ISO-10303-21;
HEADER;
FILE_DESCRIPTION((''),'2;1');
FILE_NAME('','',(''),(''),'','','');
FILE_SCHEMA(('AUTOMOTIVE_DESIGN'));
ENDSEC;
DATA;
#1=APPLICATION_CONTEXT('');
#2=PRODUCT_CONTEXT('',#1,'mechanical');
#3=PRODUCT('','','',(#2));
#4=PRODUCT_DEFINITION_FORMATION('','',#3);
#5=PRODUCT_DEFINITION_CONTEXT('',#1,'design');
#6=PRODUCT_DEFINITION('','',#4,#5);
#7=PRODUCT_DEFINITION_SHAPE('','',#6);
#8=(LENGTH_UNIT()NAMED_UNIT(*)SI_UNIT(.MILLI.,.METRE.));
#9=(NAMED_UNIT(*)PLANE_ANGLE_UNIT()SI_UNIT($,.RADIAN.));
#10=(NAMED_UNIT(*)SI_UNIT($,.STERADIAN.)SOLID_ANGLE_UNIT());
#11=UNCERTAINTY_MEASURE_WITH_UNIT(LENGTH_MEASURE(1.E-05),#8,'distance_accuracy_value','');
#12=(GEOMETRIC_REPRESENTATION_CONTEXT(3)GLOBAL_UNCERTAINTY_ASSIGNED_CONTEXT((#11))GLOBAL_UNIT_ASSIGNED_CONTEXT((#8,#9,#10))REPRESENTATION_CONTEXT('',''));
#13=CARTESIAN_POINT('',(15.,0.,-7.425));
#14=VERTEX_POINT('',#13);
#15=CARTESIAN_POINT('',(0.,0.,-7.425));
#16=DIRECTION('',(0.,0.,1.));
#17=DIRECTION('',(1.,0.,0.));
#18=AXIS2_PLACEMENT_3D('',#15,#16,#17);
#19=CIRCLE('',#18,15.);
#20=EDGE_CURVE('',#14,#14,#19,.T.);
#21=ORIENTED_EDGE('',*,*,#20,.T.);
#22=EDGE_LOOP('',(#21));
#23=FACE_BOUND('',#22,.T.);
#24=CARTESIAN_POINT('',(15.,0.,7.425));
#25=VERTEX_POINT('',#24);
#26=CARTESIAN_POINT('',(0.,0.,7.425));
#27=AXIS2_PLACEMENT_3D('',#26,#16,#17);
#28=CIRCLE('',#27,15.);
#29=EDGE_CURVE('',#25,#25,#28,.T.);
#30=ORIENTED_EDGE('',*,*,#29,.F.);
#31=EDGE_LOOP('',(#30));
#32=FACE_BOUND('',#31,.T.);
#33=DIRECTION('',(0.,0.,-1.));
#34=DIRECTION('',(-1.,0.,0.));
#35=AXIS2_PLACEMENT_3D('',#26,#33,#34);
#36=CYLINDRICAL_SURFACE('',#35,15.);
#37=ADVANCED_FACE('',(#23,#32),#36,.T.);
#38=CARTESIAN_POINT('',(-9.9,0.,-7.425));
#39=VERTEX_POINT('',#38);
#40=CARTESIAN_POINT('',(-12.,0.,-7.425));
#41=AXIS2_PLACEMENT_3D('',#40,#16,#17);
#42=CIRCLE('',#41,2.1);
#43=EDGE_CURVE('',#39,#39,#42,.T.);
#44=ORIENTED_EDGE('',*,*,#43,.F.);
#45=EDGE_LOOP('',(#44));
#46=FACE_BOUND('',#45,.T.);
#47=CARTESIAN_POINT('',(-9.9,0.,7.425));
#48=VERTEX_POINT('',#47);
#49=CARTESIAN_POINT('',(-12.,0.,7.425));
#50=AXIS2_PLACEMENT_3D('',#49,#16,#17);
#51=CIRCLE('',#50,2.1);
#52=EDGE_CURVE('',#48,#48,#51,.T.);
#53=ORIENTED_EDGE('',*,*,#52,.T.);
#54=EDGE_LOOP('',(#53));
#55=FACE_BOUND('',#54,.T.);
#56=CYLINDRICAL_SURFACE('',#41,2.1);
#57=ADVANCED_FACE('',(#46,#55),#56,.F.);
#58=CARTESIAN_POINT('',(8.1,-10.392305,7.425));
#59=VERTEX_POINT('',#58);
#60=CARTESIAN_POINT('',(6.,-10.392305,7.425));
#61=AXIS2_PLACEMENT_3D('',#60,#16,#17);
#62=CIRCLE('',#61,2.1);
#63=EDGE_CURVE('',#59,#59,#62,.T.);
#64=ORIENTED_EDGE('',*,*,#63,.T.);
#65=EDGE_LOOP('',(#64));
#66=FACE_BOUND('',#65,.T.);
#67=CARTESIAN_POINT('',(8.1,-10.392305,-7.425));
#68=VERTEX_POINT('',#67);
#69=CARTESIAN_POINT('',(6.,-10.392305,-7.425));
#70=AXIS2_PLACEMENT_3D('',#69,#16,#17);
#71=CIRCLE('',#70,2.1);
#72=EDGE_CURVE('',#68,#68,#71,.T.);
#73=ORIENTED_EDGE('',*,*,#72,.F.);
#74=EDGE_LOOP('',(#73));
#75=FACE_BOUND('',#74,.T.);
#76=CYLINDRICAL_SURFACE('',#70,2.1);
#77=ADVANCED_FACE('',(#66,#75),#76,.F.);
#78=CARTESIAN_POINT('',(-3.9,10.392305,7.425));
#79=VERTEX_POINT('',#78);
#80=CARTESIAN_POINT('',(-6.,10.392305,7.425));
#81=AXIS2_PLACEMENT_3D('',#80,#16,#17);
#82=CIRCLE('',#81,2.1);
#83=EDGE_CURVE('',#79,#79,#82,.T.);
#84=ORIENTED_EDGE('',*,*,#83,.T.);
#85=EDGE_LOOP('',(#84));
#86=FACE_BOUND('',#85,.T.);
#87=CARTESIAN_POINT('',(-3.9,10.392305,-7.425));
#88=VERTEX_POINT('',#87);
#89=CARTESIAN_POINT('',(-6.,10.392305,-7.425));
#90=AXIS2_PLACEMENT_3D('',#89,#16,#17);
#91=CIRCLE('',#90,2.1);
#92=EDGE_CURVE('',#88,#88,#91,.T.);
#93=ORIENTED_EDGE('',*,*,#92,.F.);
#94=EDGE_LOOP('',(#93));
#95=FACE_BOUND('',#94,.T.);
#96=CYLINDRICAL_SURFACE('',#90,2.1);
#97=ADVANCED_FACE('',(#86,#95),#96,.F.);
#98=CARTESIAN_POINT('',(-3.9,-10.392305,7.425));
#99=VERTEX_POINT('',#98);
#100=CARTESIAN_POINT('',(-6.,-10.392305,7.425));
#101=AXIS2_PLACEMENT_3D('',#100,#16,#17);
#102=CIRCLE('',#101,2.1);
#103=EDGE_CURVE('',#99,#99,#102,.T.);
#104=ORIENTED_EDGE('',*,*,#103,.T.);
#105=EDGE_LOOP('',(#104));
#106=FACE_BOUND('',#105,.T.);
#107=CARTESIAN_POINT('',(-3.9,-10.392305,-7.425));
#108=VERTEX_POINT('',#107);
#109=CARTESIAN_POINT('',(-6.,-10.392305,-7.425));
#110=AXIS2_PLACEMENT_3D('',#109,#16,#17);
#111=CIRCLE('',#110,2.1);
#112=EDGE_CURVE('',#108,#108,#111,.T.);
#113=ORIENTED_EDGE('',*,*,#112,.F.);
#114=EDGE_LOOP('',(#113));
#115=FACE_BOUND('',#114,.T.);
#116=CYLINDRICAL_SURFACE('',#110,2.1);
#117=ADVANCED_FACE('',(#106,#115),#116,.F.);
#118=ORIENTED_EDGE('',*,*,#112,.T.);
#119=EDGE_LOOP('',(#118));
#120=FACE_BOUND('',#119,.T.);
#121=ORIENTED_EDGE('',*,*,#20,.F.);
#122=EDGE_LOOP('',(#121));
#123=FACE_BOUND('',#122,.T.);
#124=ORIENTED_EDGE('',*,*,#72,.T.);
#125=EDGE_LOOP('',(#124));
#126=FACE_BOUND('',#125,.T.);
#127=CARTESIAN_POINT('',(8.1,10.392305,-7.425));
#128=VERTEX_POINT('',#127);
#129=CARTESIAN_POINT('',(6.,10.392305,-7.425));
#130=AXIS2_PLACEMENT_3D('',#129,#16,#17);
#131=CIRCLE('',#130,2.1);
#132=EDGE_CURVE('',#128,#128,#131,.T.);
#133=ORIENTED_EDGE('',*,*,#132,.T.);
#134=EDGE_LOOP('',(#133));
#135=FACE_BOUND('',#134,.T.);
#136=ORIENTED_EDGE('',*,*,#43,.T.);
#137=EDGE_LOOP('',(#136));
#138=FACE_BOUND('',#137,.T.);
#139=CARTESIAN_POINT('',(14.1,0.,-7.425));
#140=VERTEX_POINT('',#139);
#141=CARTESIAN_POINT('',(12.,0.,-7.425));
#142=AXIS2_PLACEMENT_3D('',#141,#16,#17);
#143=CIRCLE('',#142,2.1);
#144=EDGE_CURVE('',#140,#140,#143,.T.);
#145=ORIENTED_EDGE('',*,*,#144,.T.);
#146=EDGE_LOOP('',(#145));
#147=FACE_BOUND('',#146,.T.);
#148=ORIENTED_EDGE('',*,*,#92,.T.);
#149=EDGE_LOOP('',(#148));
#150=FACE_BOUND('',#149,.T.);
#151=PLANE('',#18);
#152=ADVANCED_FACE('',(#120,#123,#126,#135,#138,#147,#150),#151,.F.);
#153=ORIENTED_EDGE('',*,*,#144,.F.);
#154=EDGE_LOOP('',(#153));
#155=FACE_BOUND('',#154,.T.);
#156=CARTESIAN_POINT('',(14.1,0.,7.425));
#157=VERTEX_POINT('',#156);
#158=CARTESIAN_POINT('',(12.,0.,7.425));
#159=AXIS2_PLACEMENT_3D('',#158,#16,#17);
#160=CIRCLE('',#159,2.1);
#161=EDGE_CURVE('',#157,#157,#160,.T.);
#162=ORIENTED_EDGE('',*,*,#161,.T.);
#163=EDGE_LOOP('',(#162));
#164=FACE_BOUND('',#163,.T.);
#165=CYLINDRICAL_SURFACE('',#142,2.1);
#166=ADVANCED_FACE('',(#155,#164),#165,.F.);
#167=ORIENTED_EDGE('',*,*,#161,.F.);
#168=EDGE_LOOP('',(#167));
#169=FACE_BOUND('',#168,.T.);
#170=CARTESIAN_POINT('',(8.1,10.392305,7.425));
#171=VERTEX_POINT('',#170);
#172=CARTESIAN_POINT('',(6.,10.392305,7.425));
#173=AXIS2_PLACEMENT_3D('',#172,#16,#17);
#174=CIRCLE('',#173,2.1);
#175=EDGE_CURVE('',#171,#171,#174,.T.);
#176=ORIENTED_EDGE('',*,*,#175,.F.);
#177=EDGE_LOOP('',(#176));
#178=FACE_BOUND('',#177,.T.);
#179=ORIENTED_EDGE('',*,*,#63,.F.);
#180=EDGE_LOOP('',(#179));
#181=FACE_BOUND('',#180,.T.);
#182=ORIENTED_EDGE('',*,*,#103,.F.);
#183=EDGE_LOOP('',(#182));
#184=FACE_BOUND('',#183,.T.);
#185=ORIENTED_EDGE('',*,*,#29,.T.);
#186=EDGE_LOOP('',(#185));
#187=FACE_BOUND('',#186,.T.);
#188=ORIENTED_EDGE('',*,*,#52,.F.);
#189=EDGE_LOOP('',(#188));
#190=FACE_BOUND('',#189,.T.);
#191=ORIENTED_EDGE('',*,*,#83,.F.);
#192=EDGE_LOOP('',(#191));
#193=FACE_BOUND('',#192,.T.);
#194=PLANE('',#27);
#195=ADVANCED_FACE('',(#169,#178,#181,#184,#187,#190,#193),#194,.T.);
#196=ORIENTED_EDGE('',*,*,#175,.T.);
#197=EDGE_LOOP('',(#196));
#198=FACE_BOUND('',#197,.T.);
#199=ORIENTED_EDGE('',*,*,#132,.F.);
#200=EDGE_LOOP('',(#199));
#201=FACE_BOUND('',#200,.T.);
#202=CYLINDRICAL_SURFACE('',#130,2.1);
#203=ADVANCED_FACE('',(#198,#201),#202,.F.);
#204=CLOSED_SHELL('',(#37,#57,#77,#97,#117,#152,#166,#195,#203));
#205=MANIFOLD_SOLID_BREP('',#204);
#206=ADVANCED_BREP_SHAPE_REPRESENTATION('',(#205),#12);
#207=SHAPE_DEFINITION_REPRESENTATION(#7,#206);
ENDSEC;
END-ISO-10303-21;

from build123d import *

# Parameters (mm, degrees)
SKETCH1_R           = 15
BOSS_EXTRUDE1_DEPTH = 7.425
SKETCH2_R           = 2.1
CUT_EXTRUDE1_DEPTH  = 26.894449212


with BuildPart() as part:
    # Sketch1 → Boss-Extrude1 (new, symmetric)
    with BuildSketch(Plane.XY):
        Circle(SKETCH1_R)
    extrude(amount=BOSS_EXTRUDE1_DEPTH, both=True)

    # Sketch2 → Cut-Extrude1 (cut, through all)
    with BuildSketch(Plane.XY.offset(7.425)):
        with Locations((-6, 10.392304845)):
            Circle(SKETCH2_R)
        with Locations((6, 10.392304845)):
            Circle(SKETCH2_R)
        with Locations((12, 0)):
            Circle(SKETCH2_R)
        with Locations((6, -10.392304845)):
            Circle(SKETCH2_R)
        with Locations((-6, -10.392304845)):
            Circle(SKETCH2_R)
        with Locations((-12, 0)):
            Circle(SKETCH2_R)
    extrude(amount=-CUT_EXTRUDE1_DEPTH, mode=Mode.SUBTRACT)


solid = part.part
